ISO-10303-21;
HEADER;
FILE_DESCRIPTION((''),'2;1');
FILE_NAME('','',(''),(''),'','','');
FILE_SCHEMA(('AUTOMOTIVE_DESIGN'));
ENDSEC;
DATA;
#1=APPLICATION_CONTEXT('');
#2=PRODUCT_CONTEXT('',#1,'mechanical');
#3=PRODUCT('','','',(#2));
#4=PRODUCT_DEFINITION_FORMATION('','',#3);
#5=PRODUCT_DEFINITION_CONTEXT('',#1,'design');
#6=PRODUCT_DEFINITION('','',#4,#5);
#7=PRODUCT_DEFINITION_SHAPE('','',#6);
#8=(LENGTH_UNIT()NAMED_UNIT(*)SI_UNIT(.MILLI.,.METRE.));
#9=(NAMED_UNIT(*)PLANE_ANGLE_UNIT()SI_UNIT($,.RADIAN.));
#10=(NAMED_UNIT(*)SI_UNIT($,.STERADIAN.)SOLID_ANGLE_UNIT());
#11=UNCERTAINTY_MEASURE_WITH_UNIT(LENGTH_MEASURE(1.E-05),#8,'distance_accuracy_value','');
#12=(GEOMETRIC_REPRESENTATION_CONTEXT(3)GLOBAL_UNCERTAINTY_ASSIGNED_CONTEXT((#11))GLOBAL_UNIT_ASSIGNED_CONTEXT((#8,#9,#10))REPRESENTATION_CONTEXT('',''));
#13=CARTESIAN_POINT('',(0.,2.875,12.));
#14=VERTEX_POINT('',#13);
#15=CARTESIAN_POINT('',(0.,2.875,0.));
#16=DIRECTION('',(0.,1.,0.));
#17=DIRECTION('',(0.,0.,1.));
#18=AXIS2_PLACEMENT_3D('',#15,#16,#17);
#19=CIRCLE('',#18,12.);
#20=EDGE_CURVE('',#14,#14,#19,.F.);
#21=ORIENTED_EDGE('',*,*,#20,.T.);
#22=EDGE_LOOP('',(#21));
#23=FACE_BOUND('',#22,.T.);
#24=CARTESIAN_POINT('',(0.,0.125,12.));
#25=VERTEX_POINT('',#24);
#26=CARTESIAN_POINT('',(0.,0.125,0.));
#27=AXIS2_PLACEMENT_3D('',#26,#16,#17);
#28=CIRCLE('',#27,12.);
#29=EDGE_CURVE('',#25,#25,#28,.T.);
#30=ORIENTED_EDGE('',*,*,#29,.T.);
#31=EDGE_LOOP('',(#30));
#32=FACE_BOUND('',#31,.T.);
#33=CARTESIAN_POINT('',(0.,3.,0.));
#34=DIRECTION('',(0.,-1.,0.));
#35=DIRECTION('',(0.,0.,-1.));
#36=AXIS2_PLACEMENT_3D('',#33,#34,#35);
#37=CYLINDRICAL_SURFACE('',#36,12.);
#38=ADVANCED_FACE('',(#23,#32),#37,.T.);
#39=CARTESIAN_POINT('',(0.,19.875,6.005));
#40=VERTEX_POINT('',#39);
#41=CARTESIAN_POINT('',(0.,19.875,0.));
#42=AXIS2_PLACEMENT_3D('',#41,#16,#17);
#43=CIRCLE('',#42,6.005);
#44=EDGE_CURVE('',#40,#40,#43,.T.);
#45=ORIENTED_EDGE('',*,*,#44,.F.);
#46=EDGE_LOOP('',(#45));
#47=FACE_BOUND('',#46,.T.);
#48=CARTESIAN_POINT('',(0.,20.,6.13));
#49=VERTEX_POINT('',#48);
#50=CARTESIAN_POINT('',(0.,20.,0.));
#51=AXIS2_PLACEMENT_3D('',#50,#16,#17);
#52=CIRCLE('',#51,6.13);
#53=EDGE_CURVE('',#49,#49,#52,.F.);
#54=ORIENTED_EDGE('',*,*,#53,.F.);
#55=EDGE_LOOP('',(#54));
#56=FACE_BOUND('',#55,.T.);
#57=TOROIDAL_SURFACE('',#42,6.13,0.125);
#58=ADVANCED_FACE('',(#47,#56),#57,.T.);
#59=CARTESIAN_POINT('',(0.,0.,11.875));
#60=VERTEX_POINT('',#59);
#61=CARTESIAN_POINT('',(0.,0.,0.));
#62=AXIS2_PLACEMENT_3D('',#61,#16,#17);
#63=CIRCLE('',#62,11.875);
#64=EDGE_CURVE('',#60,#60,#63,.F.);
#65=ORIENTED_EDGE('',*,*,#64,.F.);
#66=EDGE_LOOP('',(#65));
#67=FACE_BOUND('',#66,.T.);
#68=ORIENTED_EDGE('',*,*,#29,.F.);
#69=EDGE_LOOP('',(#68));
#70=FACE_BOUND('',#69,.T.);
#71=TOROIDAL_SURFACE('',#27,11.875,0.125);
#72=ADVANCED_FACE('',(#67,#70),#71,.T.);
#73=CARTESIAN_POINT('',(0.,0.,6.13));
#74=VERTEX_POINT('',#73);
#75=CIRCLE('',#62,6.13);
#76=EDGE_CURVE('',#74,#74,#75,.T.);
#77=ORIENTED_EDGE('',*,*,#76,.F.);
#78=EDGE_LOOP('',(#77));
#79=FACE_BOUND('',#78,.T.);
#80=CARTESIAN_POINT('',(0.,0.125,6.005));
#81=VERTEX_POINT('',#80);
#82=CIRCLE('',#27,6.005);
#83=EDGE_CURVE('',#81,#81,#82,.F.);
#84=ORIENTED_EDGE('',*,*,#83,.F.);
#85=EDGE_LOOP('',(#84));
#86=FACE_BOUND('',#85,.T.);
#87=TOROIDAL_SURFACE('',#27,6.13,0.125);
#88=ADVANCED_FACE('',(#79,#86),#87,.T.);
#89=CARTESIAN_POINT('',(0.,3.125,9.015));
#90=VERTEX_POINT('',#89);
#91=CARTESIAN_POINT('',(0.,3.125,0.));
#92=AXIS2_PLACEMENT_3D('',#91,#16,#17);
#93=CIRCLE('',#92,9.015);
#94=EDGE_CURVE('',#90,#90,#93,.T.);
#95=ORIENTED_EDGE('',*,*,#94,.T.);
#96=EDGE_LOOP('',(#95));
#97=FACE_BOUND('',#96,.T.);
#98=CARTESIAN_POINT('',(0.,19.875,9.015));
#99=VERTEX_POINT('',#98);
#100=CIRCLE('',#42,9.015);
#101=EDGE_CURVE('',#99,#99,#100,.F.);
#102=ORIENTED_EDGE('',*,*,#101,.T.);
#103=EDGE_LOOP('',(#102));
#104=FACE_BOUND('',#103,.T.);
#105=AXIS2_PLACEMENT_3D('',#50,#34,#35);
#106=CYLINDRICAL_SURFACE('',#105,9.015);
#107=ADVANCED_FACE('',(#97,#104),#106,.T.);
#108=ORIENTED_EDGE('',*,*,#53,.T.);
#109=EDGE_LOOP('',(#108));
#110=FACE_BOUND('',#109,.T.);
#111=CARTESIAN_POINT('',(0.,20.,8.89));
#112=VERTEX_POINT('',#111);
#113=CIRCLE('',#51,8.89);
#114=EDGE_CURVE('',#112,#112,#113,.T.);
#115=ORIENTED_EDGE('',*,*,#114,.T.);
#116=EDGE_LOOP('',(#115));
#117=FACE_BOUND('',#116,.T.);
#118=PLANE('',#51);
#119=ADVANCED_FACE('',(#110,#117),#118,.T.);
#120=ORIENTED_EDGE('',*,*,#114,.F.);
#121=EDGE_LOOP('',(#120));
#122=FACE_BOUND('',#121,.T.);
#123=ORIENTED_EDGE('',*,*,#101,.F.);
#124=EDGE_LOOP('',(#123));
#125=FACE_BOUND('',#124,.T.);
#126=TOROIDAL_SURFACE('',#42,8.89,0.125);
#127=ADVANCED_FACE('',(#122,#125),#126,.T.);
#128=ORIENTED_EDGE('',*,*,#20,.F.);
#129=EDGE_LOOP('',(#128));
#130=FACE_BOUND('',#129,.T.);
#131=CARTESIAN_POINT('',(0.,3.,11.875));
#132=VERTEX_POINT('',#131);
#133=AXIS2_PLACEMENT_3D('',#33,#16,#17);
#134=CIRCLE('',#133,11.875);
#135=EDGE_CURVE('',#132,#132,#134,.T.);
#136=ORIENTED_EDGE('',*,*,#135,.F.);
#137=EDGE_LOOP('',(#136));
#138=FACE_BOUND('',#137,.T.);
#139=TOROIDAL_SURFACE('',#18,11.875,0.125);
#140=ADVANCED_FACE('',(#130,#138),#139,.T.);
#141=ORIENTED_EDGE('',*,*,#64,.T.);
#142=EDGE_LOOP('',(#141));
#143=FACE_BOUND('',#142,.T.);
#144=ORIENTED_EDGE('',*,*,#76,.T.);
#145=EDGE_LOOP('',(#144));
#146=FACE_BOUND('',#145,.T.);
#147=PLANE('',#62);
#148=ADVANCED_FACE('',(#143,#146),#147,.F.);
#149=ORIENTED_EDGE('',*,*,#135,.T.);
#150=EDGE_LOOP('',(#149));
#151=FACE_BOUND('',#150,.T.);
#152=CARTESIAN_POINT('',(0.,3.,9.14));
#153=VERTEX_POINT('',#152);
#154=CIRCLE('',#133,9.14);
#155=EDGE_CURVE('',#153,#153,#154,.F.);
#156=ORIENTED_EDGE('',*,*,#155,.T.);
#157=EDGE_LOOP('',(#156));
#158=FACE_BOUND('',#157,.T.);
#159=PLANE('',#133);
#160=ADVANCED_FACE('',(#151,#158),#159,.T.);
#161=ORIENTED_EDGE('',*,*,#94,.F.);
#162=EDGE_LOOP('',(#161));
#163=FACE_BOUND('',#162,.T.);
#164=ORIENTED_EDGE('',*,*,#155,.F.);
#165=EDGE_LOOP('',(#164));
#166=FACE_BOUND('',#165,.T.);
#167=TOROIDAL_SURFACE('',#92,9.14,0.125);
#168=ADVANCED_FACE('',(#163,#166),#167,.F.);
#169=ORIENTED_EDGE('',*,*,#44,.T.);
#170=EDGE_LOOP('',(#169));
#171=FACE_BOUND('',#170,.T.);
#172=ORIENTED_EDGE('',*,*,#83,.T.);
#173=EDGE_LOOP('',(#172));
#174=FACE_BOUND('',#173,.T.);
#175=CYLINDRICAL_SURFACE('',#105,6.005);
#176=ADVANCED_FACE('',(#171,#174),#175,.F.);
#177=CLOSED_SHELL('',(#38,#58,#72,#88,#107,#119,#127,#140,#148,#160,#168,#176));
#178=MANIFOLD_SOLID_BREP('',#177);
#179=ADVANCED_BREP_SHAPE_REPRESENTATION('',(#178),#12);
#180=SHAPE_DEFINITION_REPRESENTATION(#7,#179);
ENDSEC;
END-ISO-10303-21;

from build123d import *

# Parameters (mm, degrees)
SKETCH3_R           = 9.015
SKETCH3_R_2         = 6.005
BOSS_EXTRUDE1_DEPTH = 20
SKETCH4_R           = 12
SKETCH4_R_2         = 9.015
BOSS_EXTRUDE2_DEPTH = 3
FILLET1_R           = 0.125


with BuildPart() as part:
    # Sketch3 → Boss-Extrude1 (new body)
    with BuildSketch(Plane(origin=(0, 0, 0), x_dir=(1, 0, 0), z_dir=(0, 1, 0))):
        Circle(SKETCH3_R)
        Circle(SKETCH3_R_2, mode=Mode.SUBTRACT)
    extrude(amount=BOSS_EXTRUDE1_DEPTH)

    # Sketch4 → Boss-Extrude2 (add)
    with BuildSketch(Plane(origin=(0, 0, 0), x_dir=(1, 0, 0), z_dir=(0, 1, 0))):
        Circle(SKETCH4_R)
        Circle(SKETCH4_R_2, mode=Mode.SUBTRACT)
    extrude(amount=BOSS_EXTRUDE2_DEPTH)

    # Fillet1
    fillet1_edges = [part.edges().sort_by_distance(p)[0] for p in [
        (-12, 0, 0),
        (-9.015, 3, 0),
        (-9.015, 20, 0),
        (-6.005, 0, 0),
        (-6.005, 20, 0),
        (-12, 3, 0),
    ]]
    fillet(fillet1_edges, radius=FILLET1_R)


solid = part.part
